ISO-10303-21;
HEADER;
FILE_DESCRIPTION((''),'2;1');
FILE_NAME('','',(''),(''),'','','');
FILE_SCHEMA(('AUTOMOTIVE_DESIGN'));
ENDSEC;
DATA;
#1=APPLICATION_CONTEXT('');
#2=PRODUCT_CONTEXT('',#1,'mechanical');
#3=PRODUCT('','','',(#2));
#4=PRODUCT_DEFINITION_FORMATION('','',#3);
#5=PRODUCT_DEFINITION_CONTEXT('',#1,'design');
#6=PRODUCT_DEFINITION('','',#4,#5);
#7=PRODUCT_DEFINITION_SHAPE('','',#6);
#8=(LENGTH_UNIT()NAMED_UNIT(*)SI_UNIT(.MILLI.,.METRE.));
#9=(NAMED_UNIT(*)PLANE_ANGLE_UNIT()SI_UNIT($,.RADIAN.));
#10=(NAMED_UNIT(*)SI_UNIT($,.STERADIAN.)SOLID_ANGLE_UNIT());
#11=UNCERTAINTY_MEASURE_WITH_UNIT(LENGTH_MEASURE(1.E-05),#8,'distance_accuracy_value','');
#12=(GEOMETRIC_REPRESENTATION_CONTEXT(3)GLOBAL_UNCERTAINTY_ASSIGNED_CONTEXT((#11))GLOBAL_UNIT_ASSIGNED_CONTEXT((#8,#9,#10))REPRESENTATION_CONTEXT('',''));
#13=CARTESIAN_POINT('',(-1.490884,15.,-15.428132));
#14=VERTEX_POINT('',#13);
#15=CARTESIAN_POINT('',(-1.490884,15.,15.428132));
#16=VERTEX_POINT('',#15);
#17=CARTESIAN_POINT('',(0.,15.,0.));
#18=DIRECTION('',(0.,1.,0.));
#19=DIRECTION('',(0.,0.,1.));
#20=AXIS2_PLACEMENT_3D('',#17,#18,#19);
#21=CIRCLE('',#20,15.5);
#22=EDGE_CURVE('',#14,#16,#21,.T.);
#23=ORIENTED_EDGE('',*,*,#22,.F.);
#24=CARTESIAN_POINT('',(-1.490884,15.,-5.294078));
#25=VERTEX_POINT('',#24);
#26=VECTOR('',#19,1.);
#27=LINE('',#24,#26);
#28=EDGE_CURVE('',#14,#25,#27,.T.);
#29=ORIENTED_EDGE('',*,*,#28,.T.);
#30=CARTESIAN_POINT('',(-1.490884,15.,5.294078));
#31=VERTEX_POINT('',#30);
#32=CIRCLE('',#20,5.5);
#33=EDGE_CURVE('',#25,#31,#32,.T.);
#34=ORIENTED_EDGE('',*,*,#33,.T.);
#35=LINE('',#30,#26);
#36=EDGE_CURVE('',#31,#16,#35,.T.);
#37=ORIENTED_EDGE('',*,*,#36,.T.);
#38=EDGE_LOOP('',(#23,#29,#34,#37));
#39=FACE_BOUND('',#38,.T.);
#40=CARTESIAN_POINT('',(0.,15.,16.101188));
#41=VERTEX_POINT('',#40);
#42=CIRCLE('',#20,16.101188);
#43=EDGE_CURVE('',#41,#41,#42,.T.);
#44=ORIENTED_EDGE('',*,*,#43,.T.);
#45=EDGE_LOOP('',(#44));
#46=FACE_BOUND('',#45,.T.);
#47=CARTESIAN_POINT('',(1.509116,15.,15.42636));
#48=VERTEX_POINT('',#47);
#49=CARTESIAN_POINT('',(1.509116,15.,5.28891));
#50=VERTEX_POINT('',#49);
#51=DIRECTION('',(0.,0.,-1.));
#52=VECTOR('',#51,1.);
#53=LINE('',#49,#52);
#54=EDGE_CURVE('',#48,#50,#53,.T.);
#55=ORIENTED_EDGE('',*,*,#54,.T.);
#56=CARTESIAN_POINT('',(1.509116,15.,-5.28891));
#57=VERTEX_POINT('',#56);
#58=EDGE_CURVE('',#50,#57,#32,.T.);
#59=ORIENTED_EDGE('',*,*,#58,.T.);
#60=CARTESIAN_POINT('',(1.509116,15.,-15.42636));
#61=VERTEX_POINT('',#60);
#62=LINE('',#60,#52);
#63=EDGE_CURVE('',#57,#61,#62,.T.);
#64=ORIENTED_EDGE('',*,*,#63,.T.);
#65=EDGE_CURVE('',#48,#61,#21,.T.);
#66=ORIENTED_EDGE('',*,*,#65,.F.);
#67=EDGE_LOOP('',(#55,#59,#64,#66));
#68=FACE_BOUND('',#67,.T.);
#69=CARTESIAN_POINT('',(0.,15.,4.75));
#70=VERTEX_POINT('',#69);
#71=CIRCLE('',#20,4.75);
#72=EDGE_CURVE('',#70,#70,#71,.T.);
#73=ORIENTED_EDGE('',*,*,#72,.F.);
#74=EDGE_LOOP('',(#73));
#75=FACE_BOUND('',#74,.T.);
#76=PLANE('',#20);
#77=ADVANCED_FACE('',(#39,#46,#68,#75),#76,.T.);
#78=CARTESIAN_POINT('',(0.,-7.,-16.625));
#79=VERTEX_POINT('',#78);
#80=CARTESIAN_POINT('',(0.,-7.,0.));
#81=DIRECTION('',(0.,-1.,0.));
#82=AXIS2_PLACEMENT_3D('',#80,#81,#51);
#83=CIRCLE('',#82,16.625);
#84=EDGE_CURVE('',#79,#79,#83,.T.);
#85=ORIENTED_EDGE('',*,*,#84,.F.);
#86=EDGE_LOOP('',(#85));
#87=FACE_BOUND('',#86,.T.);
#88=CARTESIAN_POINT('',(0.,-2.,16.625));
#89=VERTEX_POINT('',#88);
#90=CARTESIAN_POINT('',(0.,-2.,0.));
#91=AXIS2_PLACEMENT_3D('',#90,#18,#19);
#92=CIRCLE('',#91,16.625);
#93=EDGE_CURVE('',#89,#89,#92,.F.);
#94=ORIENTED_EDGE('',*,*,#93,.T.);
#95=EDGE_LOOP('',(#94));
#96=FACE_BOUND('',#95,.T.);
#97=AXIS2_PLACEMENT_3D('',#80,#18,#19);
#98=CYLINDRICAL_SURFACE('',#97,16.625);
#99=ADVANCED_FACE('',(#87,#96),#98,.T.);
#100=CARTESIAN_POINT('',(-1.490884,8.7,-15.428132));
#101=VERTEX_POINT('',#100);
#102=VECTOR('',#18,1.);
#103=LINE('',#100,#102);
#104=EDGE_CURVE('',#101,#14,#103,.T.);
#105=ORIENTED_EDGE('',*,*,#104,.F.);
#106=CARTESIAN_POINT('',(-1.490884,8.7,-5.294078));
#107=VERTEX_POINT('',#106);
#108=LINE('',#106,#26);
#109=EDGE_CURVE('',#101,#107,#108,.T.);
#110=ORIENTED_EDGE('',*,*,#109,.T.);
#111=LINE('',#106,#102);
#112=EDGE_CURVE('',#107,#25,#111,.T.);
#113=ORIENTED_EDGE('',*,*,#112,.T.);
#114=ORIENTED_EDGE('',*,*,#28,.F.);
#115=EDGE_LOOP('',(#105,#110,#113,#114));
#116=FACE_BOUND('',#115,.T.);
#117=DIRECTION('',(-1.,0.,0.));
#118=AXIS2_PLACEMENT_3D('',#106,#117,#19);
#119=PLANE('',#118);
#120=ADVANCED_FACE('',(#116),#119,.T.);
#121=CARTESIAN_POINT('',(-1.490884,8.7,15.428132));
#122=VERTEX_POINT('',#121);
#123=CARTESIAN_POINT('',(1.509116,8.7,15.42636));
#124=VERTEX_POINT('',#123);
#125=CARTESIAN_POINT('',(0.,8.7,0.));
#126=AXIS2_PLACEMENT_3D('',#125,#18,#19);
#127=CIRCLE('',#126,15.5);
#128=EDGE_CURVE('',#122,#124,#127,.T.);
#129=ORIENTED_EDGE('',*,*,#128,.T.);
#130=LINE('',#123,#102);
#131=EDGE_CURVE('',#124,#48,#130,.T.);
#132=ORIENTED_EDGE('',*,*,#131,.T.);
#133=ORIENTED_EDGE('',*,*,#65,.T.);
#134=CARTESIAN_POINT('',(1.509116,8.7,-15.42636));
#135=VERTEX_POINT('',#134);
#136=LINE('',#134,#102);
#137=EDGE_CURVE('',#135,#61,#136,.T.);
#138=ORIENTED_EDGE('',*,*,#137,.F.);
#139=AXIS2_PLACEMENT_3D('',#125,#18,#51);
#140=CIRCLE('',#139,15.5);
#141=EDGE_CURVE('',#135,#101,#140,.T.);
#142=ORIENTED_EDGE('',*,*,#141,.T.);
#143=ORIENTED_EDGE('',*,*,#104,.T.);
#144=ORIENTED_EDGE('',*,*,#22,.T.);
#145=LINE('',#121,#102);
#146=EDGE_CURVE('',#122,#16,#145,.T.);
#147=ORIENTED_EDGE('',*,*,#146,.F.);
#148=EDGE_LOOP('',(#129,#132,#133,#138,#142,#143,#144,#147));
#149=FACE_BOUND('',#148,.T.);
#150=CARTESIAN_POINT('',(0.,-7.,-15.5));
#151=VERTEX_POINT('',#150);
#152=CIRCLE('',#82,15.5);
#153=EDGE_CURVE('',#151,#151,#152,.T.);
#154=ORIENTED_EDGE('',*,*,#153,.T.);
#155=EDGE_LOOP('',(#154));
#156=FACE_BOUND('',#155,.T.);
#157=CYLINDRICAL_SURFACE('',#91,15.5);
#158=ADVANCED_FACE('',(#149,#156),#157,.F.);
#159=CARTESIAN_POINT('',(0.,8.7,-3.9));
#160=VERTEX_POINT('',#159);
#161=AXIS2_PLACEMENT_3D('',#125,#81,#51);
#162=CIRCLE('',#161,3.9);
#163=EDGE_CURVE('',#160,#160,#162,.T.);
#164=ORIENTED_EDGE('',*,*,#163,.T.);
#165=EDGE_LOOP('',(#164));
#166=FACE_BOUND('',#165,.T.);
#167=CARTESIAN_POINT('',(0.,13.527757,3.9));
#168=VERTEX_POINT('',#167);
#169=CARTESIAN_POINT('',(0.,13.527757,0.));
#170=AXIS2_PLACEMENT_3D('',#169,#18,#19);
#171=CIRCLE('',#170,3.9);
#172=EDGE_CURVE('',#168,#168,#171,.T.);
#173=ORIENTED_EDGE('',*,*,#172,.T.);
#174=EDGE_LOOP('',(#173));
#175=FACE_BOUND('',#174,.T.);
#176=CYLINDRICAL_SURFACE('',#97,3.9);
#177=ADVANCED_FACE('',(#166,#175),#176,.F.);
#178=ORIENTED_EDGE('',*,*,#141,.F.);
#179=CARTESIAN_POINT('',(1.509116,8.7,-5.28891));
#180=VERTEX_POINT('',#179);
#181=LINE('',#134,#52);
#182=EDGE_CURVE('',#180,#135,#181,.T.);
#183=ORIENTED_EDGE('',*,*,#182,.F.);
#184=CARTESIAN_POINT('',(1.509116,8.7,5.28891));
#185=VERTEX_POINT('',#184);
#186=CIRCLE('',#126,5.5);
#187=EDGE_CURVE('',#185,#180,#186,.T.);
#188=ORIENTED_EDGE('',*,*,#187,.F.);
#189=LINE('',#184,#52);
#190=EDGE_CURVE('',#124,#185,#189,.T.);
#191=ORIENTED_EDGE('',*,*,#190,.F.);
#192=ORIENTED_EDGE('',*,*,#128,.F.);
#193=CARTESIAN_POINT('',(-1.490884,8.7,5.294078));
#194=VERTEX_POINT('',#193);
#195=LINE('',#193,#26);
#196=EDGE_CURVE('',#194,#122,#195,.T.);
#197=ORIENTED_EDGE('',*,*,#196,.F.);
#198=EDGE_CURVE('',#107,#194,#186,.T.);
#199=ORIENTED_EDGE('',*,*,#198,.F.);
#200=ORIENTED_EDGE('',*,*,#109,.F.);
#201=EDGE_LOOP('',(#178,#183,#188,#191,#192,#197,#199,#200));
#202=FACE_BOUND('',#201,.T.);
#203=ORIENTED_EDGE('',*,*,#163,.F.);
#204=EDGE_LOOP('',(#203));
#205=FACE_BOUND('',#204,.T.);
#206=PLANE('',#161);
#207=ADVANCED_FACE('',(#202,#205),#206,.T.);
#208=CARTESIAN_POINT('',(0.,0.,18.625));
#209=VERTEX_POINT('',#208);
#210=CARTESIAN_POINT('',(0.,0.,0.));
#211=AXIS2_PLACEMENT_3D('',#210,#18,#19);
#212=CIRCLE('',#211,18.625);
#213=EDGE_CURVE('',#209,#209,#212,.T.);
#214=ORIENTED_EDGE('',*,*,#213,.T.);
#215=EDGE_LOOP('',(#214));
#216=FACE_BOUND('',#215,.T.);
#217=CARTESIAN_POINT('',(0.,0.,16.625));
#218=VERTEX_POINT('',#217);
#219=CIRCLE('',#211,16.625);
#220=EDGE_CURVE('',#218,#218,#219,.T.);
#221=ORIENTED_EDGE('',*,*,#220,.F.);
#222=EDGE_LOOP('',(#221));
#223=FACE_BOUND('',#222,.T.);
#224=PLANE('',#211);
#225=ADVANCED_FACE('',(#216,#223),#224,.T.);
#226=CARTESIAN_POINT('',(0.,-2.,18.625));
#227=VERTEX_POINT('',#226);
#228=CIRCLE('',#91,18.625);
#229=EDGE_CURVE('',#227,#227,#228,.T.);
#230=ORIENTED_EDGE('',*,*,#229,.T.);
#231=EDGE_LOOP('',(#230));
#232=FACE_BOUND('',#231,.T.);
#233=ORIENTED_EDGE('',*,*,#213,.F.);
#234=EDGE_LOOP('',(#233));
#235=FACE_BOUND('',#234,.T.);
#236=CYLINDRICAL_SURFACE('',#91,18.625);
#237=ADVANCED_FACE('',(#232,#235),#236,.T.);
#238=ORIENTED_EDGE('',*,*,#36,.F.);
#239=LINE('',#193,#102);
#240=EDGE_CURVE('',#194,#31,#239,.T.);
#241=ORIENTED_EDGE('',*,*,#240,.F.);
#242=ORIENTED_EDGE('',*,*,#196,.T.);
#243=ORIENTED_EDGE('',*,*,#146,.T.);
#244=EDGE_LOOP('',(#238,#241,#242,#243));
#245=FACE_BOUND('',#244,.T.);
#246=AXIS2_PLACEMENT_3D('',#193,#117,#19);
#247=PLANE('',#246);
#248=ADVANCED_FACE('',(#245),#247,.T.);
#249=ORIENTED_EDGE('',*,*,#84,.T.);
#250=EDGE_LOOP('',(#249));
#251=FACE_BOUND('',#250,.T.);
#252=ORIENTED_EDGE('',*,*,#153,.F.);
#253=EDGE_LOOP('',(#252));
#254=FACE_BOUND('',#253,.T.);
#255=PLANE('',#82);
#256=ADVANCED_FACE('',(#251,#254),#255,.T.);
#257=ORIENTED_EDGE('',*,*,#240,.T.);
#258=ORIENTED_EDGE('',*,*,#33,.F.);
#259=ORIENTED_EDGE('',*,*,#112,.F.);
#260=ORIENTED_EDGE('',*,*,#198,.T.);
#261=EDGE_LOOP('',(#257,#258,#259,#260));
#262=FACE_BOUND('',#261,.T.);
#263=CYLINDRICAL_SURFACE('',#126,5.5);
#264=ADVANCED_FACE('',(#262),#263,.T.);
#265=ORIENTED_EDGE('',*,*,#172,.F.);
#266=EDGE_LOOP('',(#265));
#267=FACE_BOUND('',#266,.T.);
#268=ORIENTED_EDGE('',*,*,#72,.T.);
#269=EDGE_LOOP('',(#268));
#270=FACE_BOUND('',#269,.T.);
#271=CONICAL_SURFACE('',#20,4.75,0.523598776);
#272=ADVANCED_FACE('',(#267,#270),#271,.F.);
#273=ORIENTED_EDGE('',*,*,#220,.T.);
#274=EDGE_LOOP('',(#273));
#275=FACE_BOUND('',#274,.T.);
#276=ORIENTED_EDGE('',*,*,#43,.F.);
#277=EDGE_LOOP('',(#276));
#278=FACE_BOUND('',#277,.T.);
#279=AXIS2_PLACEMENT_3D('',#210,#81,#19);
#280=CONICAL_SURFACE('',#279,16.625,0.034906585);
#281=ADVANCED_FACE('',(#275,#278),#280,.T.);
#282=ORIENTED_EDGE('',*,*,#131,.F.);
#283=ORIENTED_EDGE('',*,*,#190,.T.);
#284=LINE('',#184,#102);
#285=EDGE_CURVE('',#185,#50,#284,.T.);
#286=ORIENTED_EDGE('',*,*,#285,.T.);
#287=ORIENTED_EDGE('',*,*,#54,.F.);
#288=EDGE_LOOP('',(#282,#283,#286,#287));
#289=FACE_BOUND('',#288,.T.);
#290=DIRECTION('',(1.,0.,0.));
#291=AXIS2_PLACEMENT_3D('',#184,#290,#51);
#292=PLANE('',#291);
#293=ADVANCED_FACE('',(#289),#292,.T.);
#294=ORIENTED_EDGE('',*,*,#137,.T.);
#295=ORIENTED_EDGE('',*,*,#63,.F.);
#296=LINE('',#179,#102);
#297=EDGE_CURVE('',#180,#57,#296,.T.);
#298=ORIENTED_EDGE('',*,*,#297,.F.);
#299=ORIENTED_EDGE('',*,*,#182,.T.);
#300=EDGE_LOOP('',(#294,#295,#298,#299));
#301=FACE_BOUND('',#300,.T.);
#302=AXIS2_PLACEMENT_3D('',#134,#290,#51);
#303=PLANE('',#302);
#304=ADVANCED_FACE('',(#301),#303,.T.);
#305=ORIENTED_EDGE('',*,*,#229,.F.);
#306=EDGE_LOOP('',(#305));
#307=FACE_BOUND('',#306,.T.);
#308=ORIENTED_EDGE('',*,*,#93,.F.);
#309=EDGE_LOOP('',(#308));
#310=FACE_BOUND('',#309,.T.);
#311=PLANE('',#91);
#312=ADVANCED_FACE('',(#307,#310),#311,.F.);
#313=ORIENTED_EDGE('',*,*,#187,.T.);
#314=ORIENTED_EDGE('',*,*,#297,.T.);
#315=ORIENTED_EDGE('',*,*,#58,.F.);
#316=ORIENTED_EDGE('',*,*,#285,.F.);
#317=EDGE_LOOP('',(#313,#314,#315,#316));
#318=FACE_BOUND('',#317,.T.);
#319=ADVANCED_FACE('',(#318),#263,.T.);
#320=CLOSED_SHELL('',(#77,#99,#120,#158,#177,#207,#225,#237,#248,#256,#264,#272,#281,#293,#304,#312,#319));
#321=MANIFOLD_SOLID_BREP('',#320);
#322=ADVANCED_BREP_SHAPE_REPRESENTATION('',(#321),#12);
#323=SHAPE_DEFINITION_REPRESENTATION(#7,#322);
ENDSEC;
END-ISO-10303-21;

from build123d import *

# Parameters (mm, degrees)
SKETCH1_R           = 16.625
SKETCH1_R_2         = 15.5
BOSS_EXTRUDE1_DEPTH = 15
BOSS_EXTRUDE1_DRAFT = 2
SKETCH4_R           = 18.625
SKETCH4_R_2         = 15.5
BOSS_EXTRUDE2_DEPTH = 2
SKETCH5_R           = 16.625
SKETCH5_R_2         = 15.5
BOSS_EXTRUDE3_DEPTH = 5
SKETCH9_R           = 16.101188458
SKETCH9_R_2         = 15.5
BOSS_EXTRUDE5_DEPTH = 15
BOSS_EXTRUDE8_DEPTH = 6.3
SKETCH11_R          = 3.9
CUT_EXTRUDE2_DEPTH  = 35.318817724


with BuildPart() as part:
    # Sketch1 → Boss-Extrude1 (with draft: the straight prism first)
    with BuildSketch(Plane(origin=(0, 0, 0), x_dir=(1, 0, 0), z_dir=(0, 1, 0))):
        Circle(SKETCH1_R)
        Circle(SKETCH1_R_2, mode=Mode.SUBTRACT)
    extrude(amount=BOSS_EXTRUDE1_DEPTH)
    # Boss-Extrude1: the draft: its side faces are tilted about the plane it starts from
    boss_extrude1_sides = [part.faces().sort_by_distance(p)[0] for p in [
        (-16.625, 7.5, 0),
        (-15.5, 7.5, 0),
    ]]
    draft(boss_extrude1_sides, Plane(origin=(0, 0, 0), x_dir=(1, 0, 0), z_dir=(0, 1, 0)), BOSS_EXTRUDE1_DRAFT)

    # Sketch4 → Boss-Extrude2 (add)
    with BuildSketch(Plane(origin=(0, 0, 0), x_dir=(1, 0, 0), z_dir=(0, 1, 0))):
        with Locations(Location((0, 0, 0), (0, 0, 270))):
            Circle(SKETCH4_R)
        with Locations(Location((0, 0, 0), (0, 0, 270))):
            Circle(SKETCH4_R_2, mode=Mode.SUBTRACT)
    extrude(amount=-BOSS_EXTRUDE2_DEPTH)

    # Sketch5 → Boss-Extrude3 (add)
    with BuildSketch(Plane.XZ.offset(2)):
        with Locations(Location((0, 0, 0), (0, 0, 90))):
            Circle(SKETCH5_R)
        with Locations(Location((0, 0, 0), (0, 0, 90))):
            Circle(SKETCH5_R_2, mode=Mode.SUBTRACT)
    extrude(amount=BOSS_EXTRUDE3_DEPTH)

    # Sketch9 → Boss-Extrude5 (add, through all)
    with BuildSketch(Plane(origin=(0, 0, 0), x_dir=(1, 0, 0), z_dir=(0, 1, 0))):
        Circle(SKETCH9_R)
        with Locations(Location((0, 0, 0), (0, 0, 270))):
            Circle(SKETCH9_R_2, mode=Mode.SUBTRACT)
    extrude(amount=BOSS_EXTRUDE5_DEPTH)

    # Sketch10 → Boss-Extrude8 (add)
    with BuildSketch(Plane(origin=(0, 15, 0), x_dir=(1, 0, 0), z_dir=(0, 1, 0))):
        with BuildLine():
            Line((-1.490883565, 5.294078409), (-1.490883565, 15.428132298))
            ThreePointArc((-1.490883565, 15.428132298), (0.009159426, 15.499997294), (1.509116435, 15.426359505))
            Line((1.509116435, 15.426359505), (1.509116435, 5.288909867))
            ThreePointArc((1.509116435, 5.288909867), (5.5, 0), (1.509116435, -5.288909867))
            Line((1.509116435, -5.288909867), (1.509116435, -15.426359505))
            ThreePointArc((1.509116435, -15.426359505), (0.009159426, -15.499997294), (-1.490883565, -15.428132298))
            Line((-1.490883565, -15.428132298), (-1.490883565, -5.294078409))
            ThreePointArc((-1.490883565, -5.294078409), (-5.5, 0), (-1.490883565, 5.294078409))
        make_face()
    extrude(amount=-BOSS_EXTRUDE8_DEPTH)

    # Sketch11 → Cut-Extrude2 (cut, through all)
    with BuildSketch(Plane(origin=(0, 15, 0), x_dir=(1, 0, 0), z_dir=(0, 1, 0))):
        with Locations(Location((0, 0, 0), (0, 0, 270))):
            Circle(SKETCH11_R)
    extrude(amount=-CUT_EXTRUDE2_DEPTH, mode=Mode.SUBTRACT)

    # Cut-Extrude3 cone 1 section (through the dimple's axis) → Cut-Extrude3 (revolve, cut)
    with BuildSketch(Plane(origin=(0, 15, 0), x_dir=(0, 0, 1), z_dir=(1, 0, 0))):
        Polygon((0, 0), (4.75, 0), (0, 8.227241336), align=None)
    revolve(axis=Axis((0, 15, 0), (0, -1, 0)), mode=Mode.SUBTRACT)


solid = part.part
